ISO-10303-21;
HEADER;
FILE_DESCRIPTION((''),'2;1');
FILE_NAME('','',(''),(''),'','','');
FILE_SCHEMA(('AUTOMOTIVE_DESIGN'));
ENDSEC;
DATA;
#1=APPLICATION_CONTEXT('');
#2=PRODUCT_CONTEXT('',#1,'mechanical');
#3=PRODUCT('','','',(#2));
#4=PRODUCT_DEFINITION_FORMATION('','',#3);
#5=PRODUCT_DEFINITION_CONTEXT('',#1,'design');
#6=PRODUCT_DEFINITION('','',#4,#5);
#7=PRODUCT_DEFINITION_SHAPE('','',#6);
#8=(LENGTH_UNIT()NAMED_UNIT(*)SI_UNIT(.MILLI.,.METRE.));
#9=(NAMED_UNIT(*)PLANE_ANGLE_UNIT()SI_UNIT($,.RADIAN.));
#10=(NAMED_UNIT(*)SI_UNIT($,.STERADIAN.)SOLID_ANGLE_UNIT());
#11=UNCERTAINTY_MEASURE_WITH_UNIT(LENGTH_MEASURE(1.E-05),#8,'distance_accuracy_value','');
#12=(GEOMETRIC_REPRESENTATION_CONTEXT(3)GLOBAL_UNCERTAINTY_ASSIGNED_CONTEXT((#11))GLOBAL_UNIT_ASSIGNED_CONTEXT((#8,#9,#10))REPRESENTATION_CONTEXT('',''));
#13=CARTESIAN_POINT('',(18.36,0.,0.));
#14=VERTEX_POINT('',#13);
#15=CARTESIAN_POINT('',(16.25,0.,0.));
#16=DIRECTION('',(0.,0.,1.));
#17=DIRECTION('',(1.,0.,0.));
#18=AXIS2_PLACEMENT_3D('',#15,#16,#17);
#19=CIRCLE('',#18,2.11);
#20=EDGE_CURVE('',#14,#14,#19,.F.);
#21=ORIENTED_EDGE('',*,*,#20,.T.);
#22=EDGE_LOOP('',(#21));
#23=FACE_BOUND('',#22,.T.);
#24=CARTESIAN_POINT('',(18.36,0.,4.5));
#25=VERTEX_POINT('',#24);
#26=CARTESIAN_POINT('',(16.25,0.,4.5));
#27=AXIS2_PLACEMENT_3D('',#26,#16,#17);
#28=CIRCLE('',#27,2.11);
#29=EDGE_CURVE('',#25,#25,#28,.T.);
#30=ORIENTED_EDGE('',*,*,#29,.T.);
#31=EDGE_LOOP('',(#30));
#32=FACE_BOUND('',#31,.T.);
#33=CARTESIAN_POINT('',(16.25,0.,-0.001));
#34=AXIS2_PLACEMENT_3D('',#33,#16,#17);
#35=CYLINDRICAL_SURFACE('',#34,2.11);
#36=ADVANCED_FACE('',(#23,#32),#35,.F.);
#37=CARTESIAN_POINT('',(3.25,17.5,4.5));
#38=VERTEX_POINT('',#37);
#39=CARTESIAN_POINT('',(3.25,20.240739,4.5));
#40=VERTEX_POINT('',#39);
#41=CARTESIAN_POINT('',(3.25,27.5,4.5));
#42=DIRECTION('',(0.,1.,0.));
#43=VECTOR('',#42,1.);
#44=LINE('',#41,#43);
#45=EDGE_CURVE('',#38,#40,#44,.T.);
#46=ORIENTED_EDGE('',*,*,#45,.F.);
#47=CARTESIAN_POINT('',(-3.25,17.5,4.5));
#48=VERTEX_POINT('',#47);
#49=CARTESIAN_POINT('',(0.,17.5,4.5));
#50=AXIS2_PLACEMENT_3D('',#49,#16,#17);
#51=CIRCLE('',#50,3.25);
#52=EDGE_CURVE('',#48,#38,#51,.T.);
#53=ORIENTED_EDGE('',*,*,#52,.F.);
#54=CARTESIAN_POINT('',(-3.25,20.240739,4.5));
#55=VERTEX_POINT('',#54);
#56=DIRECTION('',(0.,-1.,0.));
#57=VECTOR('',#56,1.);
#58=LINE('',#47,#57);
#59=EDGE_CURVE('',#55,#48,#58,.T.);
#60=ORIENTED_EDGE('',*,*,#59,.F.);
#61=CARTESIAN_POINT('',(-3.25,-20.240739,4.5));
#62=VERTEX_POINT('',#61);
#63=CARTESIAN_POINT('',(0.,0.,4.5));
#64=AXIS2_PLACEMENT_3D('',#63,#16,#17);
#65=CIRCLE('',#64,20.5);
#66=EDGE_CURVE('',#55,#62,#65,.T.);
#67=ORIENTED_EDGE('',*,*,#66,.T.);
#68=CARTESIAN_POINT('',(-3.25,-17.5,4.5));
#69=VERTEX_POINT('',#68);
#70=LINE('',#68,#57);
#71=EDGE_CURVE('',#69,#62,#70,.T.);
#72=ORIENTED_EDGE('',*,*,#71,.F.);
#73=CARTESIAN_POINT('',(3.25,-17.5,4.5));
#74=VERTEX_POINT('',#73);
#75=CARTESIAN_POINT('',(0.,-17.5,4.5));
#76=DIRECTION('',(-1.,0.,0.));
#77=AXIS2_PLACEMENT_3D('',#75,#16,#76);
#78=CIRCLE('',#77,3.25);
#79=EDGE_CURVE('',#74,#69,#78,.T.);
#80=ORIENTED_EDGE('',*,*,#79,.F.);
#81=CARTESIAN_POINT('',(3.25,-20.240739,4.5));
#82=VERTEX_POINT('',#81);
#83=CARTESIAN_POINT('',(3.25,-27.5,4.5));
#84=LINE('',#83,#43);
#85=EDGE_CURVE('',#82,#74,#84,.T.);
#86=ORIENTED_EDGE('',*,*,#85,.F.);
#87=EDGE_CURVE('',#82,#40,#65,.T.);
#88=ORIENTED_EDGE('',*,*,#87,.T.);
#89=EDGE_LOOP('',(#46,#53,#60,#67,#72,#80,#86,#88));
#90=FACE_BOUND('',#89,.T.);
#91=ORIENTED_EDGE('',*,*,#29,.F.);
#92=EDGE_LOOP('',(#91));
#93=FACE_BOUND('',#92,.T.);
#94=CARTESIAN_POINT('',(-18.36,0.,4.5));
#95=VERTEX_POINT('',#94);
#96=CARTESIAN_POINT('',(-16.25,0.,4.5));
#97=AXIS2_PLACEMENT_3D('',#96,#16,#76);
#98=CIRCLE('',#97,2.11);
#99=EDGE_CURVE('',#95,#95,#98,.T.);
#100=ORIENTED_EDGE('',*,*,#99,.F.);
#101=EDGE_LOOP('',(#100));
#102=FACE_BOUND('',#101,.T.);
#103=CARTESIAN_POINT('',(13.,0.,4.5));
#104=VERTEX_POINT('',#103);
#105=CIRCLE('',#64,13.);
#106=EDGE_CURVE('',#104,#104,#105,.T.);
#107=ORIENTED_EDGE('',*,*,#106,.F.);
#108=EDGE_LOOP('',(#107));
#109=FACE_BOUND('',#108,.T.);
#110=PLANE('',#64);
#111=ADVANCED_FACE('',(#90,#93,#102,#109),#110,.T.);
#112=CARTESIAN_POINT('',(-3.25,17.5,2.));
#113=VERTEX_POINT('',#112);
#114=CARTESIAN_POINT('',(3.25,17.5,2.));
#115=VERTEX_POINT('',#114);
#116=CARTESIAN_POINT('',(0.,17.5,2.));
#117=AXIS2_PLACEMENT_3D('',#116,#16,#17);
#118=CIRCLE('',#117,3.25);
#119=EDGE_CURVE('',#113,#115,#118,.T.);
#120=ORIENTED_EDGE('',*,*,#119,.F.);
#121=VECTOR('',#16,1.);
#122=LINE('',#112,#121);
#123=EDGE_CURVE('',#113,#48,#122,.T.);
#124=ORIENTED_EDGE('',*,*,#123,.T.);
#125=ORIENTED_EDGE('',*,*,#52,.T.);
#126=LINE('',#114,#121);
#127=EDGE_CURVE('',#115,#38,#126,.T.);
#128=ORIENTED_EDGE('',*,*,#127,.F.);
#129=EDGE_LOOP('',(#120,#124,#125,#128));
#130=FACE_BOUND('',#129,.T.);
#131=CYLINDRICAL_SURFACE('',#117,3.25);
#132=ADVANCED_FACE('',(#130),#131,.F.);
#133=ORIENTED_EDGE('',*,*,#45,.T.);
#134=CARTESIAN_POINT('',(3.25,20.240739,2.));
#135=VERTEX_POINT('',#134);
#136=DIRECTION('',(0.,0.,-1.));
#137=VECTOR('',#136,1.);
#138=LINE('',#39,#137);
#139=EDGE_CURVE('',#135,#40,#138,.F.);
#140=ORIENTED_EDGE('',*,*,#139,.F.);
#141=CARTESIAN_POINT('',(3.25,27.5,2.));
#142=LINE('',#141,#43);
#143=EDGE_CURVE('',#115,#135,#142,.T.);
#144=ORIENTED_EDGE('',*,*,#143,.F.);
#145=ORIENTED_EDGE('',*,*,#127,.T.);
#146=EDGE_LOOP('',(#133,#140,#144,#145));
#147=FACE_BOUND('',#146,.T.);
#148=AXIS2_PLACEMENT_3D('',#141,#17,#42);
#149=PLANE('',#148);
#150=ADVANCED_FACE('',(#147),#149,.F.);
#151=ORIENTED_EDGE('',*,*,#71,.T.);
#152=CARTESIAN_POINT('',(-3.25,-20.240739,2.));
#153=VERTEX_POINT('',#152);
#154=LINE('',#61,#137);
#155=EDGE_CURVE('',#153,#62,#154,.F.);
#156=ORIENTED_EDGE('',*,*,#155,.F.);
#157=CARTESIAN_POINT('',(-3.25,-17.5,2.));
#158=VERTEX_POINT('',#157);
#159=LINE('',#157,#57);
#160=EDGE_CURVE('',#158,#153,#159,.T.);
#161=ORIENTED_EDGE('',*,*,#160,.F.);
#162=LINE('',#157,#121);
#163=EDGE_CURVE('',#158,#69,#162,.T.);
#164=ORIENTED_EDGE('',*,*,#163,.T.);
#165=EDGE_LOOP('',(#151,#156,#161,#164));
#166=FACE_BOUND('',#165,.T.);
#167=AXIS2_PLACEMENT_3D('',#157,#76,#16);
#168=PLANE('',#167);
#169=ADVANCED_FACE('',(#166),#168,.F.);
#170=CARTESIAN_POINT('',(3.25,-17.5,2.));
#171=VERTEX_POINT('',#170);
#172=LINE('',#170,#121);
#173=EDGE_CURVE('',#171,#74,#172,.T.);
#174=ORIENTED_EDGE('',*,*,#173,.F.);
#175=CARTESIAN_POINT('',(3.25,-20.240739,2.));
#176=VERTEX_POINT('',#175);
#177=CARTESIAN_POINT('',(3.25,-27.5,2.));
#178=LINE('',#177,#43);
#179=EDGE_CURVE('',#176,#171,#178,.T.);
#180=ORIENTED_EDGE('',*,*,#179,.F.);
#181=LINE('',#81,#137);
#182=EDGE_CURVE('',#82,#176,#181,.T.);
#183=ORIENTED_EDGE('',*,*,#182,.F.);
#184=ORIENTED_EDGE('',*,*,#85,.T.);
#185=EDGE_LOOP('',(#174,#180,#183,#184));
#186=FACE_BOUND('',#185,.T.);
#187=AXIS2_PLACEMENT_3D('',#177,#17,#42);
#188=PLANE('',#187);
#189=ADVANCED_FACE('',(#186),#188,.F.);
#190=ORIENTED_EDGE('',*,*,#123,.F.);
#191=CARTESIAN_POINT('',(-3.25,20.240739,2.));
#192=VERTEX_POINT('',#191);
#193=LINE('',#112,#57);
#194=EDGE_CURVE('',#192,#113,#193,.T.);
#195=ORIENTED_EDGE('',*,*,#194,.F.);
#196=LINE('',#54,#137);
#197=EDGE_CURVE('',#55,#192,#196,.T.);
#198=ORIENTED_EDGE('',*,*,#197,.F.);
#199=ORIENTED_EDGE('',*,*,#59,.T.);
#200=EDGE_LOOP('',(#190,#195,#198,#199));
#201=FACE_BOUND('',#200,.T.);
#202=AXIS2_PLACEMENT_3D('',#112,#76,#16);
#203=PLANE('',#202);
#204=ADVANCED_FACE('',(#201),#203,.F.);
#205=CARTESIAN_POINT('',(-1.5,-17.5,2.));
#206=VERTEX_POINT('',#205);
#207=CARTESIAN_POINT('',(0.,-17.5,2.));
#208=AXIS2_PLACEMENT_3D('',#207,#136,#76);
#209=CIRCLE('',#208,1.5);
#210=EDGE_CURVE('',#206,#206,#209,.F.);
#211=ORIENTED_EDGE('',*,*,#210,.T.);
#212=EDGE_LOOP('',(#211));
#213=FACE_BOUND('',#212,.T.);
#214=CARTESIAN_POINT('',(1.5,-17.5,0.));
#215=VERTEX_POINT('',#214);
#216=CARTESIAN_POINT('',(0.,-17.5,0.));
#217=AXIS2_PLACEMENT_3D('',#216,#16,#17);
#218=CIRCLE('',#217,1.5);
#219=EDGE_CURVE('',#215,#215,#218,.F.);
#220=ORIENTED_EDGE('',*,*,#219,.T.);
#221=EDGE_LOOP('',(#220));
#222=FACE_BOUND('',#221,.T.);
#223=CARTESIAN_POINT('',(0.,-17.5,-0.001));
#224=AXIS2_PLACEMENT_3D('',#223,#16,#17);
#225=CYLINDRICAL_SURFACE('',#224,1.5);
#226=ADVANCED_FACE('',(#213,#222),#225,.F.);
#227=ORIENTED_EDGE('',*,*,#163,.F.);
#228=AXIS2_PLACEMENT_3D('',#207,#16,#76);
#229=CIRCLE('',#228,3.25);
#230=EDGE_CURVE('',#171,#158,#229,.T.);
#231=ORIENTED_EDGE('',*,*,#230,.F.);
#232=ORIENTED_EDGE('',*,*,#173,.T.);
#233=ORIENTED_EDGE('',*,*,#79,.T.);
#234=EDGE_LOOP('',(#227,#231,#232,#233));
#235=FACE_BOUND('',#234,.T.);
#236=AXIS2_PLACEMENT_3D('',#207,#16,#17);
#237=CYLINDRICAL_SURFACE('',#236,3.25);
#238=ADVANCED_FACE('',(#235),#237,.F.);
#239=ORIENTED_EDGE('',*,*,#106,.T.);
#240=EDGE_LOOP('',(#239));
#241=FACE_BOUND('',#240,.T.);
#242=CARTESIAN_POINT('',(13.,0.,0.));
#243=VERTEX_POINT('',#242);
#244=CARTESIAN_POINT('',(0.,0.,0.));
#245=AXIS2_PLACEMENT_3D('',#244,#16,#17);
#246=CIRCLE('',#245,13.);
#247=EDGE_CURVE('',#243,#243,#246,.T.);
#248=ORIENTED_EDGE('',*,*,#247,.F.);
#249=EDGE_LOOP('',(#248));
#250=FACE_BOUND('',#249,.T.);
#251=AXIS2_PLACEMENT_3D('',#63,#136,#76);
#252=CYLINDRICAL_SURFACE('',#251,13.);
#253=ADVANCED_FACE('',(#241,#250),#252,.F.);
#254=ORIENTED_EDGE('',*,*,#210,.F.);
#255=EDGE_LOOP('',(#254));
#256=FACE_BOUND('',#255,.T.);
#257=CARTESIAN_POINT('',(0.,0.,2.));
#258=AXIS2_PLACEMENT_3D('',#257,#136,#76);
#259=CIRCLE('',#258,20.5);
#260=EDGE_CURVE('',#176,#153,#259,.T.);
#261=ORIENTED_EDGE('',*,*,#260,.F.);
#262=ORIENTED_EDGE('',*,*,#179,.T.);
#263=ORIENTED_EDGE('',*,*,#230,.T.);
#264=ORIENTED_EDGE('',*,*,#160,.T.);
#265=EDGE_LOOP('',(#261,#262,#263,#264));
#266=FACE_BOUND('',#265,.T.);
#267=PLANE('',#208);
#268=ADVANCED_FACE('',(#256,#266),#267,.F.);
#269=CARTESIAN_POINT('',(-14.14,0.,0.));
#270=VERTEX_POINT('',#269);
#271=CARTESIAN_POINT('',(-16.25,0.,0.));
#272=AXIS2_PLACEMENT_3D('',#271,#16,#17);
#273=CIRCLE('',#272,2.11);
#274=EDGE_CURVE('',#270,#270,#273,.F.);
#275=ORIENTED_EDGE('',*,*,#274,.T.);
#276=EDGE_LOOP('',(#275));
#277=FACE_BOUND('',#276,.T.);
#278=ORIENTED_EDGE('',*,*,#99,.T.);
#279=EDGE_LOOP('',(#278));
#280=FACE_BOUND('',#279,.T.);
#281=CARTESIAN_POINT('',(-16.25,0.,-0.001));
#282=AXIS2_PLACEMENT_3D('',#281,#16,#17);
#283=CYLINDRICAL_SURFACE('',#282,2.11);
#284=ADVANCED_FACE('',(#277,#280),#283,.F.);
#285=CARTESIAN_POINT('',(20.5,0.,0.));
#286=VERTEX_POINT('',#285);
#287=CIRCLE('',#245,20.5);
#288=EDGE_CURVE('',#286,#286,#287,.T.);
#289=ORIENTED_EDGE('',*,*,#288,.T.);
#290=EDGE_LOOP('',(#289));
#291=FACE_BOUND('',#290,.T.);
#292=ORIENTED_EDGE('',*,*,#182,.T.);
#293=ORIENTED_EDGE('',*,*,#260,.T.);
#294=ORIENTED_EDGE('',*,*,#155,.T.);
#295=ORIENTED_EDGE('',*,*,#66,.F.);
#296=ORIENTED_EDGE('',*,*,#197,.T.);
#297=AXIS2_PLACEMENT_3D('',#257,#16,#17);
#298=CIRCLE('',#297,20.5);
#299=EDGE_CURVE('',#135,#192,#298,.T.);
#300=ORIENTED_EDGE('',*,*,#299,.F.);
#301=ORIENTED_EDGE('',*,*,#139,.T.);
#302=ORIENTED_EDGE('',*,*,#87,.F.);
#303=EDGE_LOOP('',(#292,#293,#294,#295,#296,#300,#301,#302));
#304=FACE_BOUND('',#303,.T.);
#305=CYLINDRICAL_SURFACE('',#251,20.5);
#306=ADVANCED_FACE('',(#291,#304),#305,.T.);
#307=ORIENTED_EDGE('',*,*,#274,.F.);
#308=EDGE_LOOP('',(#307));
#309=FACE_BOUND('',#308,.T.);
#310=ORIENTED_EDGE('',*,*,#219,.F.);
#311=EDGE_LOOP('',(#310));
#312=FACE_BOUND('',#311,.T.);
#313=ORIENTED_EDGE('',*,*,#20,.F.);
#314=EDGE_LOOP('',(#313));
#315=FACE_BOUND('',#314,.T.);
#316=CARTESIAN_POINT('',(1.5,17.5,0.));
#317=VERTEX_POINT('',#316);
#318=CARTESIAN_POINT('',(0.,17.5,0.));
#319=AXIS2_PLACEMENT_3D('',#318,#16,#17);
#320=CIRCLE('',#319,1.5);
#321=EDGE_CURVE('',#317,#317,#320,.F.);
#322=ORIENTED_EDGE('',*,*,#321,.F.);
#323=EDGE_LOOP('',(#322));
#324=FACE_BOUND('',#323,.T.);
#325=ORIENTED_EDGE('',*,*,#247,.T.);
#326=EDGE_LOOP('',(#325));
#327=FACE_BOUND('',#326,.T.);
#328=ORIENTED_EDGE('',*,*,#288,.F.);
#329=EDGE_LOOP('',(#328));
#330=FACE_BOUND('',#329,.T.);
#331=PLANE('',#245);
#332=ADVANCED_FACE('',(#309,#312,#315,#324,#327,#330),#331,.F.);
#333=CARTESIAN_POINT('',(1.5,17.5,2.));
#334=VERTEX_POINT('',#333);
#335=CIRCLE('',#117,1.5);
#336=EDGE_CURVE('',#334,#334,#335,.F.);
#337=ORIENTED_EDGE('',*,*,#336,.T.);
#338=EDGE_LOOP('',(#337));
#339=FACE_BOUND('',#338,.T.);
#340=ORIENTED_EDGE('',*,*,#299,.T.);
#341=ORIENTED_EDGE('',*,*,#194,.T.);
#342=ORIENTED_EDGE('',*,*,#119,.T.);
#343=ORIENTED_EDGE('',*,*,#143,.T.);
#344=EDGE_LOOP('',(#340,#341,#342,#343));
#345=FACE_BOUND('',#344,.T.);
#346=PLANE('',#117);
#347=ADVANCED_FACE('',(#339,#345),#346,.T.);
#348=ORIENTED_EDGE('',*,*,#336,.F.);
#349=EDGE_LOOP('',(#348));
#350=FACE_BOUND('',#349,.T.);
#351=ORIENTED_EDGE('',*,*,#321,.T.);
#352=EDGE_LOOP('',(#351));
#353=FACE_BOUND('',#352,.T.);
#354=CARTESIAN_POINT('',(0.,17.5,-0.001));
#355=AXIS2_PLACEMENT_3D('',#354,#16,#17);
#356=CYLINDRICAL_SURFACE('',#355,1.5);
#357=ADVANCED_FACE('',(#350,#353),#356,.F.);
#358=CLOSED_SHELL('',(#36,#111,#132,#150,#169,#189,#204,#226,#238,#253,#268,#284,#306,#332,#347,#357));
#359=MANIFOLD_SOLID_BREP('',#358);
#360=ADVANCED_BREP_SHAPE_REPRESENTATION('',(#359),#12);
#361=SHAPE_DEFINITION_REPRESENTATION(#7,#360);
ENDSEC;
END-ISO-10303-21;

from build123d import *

# Parameters (mm, degrees)
ESQUISSE1_R             = 20.5
ESQUISSE1_R_2           = 13
BOSS_EXTRU_1_DEPTH      = 4.5
ENL_V_MAT_EXTRU_1_REACH = 6.5
ESQUISSE2_R             = 1.5
ESQUISSE2_R_2           = 2.11
ENL_V_MAT_EXTRU_2_DEPTH = 2.5


with BuildPart() as part:
    # Esquisse1 → Boss.-Extru.1 (new body)
    with BuildSketch(Plane.XY):
        Circle(ESQUISSE1_R)
        Circle(ESQUISSE1_R_2, mode=Mode.SUBTRACT)
    extrude(amount=BOSS_EXTRU_1_DEPTH)

    # Esquisse2 → Enlèv. mat.-Extru.1 (cut, up to next)
    with BuildSketch(Plane.XY.offset(4.5), mode=Mode.PRIVATE) as enl_v_mat_extru_1_sk1:
        with Locations((0, 17.5)):
            Circle(ESQUISSE2_R)
    enl_v_mat_extru_1_tool1 = extrude(enl_v_mat_extru_1_sk1.sketch, amount=-ENL_V_MAT_EXTRU_1_REACH, mode=Mode.PRIVATE) & part.part
    add(enl_v_mat_extru_1_tool1.solids().sort_by_distance((0, 17.5, 4.5))[0], mode=Mode.SUBTRACT)
    # Esquisse2 → Enlèv. mat.-Extru.1 (cut, up to next)
    with BuildSketch(Plane.XY.offset(4.5), mode=Mode.PRIVATE) as enl_v_mat_extru_1_sk2:
        with Locations((16.25, 0)):
            Circle(ESQUISSE2_R_2)
    enl_v_mat_extru_1_tool2 = extrude(enl_v_mat_extru_1_sk2.sketch, amount=-ENL_V_MAT_EXTRU_1_REACH, mode=Mode.PRIVATE) & part.part
    add(enl_v_mat_extru_1_tool2.solids().sort_by_distance((16.25, 0, 4.5))[0], mode=Mode.SUBTRACT)
    # Esquisse2 → Enlèv. mat.-Extru.1 (cut, up to next)
    with BuildSketch(Plane.XY.offset(4.5), mode=Mode.PRIVATE) as enl_v_mat_extru_1_sk3:
        with Locations((0, -17.5)):
            Circle(ESQUISSE2_R)
    enl_v_mat_extru_1_tool3 = extrude(enl_v_mat_extru_1_sk3.sketch, amount=-ENL_V_MAT_EXTRU_1_REACH, mode=Mode.PRIVATE) & part.part
    add(enl_v_mat_extru_1_tool3.solids().sort_by_distance((0, -17.5, 4.5))[0], mode=Mode.SUBTRACT)
    # Esquisse2 → Enlèv. mat.-Extru.1 (cut, up to next)
    with BuildSketch(Plane.XY.offset(4.5), mode=Mode.PRIVATE) as enl_v_mat_extru_1_sk4:
        with Locations((-16.25, 0)):
            Circle(ESQUISSE2_R_2)
    enl_v_mat_extru_1_tool4 = extrude(enl_v_mat_extru_1_sk4.sketch, amount=-ENL_V_MAT_EXTRU_1_REACH, mode=Mode.PRIVATE) & part.part
    add(enl_v_mat_extru_1_tool4.solids().sort_by_distance((-16.25, 0, 4.5))[0], mode=Mode.SUBTRACT)

    # Esquisse3 → Enlèv. mat.-Extru.2 (cut)
    with BuildSketch(Plane.XY.offset(4.5)):
        with BuildLine():
            Line((-3.25, 17.5), (-3.25, 27.5))
            Line((-3.25, 27.5), (3.25, 27.5))
            Line((3.25, 27.5), (3.25, 17.5))
            ThreePointArc((3.25, 17.5), (0, 14.25), (-3.25, 17.5))
        make_face()
        with BuildLine():
            Line((-3.25, -27.5), (3.25, -27.5))
            Line((3.25, -27.5), (3.25, -17.5))
            ThreePointArc((3.25, -17.5), (0, -14.25), (-3.25, -17.5))
            Line((-3.25, -17.5), (-3.25, -27.5))
        make_face()
    extrude(amount=-ENL_V_MAT_EXTRU_2_DEPTH, mode=Mode.SUBTRACT)


solid = part.part
